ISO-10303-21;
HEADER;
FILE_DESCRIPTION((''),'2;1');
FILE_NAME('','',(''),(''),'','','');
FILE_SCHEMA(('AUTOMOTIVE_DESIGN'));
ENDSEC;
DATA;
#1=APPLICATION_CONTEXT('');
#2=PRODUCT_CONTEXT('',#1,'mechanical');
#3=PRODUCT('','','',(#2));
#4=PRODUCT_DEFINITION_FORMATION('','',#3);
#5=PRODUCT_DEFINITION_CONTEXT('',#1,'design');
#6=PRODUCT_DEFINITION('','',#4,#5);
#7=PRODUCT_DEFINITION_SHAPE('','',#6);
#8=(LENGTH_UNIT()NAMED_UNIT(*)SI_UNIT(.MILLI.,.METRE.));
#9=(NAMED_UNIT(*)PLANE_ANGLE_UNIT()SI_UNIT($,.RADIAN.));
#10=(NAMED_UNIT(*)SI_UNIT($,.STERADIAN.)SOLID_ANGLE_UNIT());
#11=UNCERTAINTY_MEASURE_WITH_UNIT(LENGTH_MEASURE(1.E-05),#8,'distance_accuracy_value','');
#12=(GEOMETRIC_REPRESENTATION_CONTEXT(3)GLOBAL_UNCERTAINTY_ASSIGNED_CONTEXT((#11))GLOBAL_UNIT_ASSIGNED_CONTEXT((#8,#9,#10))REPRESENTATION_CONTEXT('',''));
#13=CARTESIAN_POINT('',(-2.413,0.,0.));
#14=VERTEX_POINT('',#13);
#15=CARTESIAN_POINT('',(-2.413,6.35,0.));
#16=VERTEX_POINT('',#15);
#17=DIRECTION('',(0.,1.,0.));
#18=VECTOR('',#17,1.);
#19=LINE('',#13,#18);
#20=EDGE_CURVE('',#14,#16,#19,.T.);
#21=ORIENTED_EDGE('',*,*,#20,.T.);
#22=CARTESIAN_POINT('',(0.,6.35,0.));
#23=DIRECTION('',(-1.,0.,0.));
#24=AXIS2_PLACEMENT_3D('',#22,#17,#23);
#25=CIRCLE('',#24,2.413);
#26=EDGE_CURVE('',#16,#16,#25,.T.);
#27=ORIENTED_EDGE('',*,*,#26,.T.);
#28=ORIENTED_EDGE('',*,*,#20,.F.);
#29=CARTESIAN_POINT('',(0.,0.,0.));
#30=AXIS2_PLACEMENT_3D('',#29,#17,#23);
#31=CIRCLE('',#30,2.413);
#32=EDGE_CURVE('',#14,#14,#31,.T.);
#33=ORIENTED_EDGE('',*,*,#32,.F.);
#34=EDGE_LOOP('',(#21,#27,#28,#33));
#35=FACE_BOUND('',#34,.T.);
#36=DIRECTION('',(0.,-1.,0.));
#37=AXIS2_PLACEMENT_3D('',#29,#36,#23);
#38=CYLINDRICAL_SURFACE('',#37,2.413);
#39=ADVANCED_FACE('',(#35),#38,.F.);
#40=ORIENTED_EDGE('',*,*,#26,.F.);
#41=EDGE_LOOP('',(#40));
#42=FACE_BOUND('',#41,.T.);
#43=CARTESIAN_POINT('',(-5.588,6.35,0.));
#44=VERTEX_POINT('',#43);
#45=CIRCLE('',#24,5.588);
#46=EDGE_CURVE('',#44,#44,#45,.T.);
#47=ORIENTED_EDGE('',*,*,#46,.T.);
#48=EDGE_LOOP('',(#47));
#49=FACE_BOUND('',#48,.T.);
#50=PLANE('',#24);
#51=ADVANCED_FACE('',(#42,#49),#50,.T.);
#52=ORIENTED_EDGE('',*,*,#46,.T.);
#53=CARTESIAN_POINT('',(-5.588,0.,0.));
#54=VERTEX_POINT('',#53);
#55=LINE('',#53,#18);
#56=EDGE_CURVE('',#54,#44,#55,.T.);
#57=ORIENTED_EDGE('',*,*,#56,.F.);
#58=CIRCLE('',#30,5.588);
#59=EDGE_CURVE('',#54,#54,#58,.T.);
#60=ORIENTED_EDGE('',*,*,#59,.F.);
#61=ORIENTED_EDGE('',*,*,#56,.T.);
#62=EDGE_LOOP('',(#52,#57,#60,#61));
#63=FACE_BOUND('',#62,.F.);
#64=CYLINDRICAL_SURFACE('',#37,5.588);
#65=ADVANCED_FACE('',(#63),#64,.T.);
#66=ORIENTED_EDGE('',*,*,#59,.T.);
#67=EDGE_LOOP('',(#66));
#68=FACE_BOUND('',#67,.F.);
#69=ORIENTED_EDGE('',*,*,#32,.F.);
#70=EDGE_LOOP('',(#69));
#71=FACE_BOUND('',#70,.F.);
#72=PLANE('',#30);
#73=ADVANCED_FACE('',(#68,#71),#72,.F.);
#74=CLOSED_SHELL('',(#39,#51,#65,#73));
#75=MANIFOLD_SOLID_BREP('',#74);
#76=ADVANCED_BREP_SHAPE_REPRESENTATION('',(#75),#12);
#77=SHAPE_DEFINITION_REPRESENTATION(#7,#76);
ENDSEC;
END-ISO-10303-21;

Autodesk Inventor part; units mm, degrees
ref_plane "YZ Plane" through (0, 0, 0) normal (1, 0, 0) x (0, 1, 0)
ref_plane "XZ Plane" through (0, 0, 0) normal (0, 1, 0) x (-1, 0, 0)
ref_plane "XY Plane" through (0, 0, 0) normal (0, 0, 1) x (1, 0, 0)
sketch "Sketch1" plane through (0, 0, 0) normal (0, 1, 0) x (-1, 0, 0)
  circle A0 centre (0, 0) radius 2.413
  circle A1 centre (0, 0) radius 5.588
  dimension "d1" = 4.826
  dimension "d2" = 3.175
extrude "Extrusion1" add sketch "Sketch1" along normal blind 6.35
properties part number "HexBearingDrivePlateSapcer"
